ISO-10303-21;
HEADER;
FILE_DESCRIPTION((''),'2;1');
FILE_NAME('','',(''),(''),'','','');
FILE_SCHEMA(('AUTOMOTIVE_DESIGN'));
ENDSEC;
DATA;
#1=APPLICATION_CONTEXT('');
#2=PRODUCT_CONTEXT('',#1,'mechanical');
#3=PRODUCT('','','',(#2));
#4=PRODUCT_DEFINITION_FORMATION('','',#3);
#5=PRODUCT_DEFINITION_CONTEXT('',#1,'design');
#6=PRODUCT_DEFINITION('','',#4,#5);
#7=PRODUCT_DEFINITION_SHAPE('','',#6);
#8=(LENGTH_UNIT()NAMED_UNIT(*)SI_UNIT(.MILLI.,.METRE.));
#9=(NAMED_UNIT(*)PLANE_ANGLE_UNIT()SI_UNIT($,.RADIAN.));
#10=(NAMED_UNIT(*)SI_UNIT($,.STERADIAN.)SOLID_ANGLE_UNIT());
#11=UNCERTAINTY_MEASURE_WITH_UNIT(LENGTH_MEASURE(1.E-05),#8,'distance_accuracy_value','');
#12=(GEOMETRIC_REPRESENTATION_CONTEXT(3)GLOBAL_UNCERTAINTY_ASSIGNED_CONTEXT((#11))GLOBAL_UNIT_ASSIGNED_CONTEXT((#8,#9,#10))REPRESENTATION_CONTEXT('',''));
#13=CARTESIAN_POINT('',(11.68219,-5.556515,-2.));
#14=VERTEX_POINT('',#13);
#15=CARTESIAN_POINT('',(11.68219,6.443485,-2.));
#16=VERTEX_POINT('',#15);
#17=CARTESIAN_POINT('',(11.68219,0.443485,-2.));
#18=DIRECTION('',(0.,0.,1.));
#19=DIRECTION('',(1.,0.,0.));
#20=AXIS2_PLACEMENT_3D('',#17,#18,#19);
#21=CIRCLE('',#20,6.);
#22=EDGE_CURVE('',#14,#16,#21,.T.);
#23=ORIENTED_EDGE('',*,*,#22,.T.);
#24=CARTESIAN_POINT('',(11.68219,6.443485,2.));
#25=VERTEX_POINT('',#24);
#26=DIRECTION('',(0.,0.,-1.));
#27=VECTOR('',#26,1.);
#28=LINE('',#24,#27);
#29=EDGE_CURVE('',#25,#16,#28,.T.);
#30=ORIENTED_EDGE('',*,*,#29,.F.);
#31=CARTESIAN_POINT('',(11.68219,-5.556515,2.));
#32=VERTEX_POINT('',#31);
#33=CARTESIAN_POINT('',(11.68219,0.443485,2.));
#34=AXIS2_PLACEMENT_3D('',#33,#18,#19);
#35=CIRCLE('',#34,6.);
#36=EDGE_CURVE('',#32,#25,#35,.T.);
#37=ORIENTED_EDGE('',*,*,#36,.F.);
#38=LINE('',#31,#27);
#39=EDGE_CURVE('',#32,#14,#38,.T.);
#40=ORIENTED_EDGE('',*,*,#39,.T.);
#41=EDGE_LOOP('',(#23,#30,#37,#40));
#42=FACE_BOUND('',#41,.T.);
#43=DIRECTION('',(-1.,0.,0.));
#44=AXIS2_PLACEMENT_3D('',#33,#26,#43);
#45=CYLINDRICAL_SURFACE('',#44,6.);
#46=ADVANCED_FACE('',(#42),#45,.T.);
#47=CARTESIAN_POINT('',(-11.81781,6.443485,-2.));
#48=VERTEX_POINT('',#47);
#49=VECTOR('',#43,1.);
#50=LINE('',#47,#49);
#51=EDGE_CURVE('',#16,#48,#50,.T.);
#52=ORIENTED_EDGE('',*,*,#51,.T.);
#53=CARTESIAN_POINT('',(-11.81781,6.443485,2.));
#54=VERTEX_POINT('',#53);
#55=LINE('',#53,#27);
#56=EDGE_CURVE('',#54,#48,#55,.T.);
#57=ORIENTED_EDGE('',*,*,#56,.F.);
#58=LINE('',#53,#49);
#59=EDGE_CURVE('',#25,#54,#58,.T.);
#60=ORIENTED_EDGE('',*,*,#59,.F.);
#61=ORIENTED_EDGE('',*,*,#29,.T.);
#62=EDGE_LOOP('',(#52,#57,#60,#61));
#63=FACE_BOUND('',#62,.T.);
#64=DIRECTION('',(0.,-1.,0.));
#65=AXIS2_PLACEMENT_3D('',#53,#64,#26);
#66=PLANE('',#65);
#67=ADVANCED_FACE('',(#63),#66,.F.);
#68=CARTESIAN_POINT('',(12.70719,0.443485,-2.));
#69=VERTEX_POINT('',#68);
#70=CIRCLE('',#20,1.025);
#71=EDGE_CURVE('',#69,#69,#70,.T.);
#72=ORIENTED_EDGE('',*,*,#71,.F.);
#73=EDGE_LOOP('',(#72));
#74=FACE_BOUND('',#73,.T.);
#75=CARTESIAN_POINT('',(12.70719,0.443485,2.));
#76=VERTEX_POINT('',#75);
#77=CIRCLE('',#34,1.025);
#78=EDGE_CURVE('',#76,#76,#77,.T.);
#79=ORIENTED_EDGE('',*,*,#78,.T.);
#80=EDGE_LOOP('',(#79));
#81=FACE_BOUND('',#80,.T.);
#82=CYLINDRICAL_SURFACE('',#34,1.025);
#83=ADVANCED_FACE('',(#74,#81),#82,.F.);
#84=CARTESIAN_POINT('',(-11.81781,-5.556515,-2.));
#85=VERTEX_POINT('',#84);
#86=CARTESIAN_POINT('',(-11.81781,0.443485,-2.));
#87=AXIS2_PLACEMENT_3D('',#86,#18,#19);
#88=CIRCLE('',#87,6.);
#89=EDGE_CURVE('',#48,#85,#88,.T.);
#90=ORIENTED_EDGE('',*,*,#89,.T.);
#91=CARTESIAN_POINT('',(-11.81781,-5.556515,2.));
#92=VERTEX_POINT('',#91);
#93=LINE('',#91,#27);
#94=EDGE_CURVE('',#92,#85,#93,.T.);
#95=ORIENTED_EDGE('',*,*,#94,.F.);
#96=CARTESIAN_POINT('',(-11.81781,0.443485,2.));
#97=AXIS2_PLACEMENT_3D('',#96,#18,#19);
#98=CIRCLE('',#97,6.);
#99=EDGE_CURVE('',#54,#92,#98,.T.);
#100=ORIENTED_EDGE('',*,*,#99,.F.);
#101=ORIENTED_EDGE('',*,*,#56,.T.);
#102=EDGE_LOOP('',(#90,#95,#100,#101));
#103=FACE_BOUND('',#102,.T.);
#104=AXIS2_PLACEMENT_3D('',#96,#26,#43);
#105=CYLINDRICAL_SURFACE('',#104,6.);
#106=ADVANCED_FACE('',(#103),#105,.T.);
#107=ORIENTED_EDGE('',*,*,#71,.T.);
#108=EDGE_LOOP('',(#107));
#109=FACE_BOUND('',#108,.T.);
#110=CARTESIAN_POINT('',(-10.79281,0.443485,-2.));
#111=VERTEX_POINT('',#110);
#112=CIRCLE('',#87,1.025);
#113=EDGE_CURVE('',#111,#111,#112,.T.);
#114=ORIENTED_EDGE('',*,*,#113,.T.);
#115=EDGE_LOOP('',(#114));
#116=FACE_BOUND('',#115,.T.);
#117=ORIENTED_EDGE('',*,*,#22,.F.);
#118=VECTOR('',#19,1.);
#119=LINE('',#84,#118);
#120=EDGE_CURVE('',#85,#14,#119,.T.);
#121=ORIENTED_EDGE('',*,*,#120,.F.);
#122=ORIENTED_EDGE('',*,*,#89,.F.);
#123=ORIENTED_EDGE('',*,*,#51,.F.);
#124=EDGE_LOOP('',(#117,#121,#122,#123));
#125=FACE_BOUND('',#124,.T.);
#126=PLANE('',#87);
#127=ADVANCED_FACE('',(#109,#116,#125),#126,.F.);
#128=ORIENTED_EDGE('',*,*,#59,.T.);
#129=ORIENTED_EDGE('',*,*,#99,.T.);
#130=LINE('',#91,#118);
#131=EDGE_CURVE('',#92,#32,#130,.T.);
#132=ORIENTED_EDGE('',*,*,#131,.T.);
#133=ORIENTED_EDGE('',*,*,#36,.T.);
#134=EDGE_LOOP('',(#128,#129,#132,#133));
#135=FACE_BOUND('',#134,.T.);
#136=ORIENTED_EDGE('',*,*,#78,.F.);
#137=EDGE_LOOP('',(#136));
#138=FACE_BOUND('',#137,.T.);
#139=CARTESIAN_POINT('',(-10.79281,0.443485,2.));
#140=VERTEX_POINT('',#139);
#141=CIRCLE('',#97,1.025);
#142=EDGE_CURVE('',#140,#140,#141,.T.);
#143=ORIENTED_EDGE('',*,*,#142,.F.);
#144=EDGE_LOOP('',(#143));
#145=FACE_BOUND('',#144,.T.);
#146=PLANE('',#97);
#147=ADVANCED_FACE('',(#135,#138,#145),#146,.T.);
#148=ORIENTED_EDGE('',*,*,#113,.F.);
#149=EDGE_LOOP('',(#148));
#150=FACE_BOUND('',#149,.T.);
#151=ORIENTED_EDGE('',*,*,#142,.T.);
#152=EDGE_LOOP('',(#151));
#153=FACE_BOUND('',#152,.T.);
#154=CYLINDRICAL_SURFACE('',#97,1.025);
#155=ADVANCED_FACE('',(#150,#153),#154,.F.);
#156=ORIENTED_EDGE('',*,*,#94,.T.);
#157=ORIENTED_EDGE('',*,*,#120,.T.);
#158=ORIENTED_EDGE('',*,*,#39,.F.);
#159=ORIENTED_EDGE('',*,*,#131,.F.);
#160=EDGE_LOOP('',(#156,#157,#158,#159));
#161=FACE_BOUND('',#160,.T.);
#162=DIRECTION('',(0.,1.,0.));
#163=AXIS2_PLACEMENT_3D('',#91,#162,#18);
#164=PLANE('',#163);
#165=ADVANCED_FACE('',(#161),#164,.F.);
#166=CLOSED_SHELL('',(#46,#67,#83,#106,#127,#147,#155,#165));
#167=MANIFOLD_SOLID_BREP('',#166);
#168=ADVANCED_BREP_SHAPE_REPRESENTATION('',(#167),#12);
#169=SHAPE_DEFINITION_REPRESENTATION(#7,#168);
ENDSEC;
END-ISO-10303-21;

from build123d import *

# Parameters (mm, degrees)
BOSS_EXTRUDE1_DEPTH            = 2
TAP_DRILL_FOR_M2_5X0_45_TAP1_D = 2.05


with BuildPart() as part:
    # Sketch1 → Boss-Extrude1 (new, symmetric)
    with BuildSketch(Plane.XY):
        with BuildLine():
            Line((-11.817810242, 6.443484678), (11.682189758, 6.443484678))
            ThreePointArc((11.682189758, 6.443484678), (17.682189758, 0.443484678), (11.682189758, -5.556515322))
            Line((11.682189758, -5.556515322), (-11.817810242, -5.556515322))
            ThreePointArc((-11.817810242, -5.556515322), (-17.817810242, 0.443484678), (-11.817810242, 6.443484678))
        make_face()
    extrude(amount=BOSS_EXTRUDE1_DEPTH, both=True)

    # Tap Drill for M2.5x0.45 Tap1 (through all)
    with Locations(Plane(origin=(-11.817810242, 0.443484678, 2), x_dir=(1, 0, 0), z_dir=(0, 0, 1))):
        with Locations((0, 0), (23.5, 0)):
            Hole(TAP_DRILL_FOR_M2_5X0_45_TAP1_D / 2)


solid = part.part
